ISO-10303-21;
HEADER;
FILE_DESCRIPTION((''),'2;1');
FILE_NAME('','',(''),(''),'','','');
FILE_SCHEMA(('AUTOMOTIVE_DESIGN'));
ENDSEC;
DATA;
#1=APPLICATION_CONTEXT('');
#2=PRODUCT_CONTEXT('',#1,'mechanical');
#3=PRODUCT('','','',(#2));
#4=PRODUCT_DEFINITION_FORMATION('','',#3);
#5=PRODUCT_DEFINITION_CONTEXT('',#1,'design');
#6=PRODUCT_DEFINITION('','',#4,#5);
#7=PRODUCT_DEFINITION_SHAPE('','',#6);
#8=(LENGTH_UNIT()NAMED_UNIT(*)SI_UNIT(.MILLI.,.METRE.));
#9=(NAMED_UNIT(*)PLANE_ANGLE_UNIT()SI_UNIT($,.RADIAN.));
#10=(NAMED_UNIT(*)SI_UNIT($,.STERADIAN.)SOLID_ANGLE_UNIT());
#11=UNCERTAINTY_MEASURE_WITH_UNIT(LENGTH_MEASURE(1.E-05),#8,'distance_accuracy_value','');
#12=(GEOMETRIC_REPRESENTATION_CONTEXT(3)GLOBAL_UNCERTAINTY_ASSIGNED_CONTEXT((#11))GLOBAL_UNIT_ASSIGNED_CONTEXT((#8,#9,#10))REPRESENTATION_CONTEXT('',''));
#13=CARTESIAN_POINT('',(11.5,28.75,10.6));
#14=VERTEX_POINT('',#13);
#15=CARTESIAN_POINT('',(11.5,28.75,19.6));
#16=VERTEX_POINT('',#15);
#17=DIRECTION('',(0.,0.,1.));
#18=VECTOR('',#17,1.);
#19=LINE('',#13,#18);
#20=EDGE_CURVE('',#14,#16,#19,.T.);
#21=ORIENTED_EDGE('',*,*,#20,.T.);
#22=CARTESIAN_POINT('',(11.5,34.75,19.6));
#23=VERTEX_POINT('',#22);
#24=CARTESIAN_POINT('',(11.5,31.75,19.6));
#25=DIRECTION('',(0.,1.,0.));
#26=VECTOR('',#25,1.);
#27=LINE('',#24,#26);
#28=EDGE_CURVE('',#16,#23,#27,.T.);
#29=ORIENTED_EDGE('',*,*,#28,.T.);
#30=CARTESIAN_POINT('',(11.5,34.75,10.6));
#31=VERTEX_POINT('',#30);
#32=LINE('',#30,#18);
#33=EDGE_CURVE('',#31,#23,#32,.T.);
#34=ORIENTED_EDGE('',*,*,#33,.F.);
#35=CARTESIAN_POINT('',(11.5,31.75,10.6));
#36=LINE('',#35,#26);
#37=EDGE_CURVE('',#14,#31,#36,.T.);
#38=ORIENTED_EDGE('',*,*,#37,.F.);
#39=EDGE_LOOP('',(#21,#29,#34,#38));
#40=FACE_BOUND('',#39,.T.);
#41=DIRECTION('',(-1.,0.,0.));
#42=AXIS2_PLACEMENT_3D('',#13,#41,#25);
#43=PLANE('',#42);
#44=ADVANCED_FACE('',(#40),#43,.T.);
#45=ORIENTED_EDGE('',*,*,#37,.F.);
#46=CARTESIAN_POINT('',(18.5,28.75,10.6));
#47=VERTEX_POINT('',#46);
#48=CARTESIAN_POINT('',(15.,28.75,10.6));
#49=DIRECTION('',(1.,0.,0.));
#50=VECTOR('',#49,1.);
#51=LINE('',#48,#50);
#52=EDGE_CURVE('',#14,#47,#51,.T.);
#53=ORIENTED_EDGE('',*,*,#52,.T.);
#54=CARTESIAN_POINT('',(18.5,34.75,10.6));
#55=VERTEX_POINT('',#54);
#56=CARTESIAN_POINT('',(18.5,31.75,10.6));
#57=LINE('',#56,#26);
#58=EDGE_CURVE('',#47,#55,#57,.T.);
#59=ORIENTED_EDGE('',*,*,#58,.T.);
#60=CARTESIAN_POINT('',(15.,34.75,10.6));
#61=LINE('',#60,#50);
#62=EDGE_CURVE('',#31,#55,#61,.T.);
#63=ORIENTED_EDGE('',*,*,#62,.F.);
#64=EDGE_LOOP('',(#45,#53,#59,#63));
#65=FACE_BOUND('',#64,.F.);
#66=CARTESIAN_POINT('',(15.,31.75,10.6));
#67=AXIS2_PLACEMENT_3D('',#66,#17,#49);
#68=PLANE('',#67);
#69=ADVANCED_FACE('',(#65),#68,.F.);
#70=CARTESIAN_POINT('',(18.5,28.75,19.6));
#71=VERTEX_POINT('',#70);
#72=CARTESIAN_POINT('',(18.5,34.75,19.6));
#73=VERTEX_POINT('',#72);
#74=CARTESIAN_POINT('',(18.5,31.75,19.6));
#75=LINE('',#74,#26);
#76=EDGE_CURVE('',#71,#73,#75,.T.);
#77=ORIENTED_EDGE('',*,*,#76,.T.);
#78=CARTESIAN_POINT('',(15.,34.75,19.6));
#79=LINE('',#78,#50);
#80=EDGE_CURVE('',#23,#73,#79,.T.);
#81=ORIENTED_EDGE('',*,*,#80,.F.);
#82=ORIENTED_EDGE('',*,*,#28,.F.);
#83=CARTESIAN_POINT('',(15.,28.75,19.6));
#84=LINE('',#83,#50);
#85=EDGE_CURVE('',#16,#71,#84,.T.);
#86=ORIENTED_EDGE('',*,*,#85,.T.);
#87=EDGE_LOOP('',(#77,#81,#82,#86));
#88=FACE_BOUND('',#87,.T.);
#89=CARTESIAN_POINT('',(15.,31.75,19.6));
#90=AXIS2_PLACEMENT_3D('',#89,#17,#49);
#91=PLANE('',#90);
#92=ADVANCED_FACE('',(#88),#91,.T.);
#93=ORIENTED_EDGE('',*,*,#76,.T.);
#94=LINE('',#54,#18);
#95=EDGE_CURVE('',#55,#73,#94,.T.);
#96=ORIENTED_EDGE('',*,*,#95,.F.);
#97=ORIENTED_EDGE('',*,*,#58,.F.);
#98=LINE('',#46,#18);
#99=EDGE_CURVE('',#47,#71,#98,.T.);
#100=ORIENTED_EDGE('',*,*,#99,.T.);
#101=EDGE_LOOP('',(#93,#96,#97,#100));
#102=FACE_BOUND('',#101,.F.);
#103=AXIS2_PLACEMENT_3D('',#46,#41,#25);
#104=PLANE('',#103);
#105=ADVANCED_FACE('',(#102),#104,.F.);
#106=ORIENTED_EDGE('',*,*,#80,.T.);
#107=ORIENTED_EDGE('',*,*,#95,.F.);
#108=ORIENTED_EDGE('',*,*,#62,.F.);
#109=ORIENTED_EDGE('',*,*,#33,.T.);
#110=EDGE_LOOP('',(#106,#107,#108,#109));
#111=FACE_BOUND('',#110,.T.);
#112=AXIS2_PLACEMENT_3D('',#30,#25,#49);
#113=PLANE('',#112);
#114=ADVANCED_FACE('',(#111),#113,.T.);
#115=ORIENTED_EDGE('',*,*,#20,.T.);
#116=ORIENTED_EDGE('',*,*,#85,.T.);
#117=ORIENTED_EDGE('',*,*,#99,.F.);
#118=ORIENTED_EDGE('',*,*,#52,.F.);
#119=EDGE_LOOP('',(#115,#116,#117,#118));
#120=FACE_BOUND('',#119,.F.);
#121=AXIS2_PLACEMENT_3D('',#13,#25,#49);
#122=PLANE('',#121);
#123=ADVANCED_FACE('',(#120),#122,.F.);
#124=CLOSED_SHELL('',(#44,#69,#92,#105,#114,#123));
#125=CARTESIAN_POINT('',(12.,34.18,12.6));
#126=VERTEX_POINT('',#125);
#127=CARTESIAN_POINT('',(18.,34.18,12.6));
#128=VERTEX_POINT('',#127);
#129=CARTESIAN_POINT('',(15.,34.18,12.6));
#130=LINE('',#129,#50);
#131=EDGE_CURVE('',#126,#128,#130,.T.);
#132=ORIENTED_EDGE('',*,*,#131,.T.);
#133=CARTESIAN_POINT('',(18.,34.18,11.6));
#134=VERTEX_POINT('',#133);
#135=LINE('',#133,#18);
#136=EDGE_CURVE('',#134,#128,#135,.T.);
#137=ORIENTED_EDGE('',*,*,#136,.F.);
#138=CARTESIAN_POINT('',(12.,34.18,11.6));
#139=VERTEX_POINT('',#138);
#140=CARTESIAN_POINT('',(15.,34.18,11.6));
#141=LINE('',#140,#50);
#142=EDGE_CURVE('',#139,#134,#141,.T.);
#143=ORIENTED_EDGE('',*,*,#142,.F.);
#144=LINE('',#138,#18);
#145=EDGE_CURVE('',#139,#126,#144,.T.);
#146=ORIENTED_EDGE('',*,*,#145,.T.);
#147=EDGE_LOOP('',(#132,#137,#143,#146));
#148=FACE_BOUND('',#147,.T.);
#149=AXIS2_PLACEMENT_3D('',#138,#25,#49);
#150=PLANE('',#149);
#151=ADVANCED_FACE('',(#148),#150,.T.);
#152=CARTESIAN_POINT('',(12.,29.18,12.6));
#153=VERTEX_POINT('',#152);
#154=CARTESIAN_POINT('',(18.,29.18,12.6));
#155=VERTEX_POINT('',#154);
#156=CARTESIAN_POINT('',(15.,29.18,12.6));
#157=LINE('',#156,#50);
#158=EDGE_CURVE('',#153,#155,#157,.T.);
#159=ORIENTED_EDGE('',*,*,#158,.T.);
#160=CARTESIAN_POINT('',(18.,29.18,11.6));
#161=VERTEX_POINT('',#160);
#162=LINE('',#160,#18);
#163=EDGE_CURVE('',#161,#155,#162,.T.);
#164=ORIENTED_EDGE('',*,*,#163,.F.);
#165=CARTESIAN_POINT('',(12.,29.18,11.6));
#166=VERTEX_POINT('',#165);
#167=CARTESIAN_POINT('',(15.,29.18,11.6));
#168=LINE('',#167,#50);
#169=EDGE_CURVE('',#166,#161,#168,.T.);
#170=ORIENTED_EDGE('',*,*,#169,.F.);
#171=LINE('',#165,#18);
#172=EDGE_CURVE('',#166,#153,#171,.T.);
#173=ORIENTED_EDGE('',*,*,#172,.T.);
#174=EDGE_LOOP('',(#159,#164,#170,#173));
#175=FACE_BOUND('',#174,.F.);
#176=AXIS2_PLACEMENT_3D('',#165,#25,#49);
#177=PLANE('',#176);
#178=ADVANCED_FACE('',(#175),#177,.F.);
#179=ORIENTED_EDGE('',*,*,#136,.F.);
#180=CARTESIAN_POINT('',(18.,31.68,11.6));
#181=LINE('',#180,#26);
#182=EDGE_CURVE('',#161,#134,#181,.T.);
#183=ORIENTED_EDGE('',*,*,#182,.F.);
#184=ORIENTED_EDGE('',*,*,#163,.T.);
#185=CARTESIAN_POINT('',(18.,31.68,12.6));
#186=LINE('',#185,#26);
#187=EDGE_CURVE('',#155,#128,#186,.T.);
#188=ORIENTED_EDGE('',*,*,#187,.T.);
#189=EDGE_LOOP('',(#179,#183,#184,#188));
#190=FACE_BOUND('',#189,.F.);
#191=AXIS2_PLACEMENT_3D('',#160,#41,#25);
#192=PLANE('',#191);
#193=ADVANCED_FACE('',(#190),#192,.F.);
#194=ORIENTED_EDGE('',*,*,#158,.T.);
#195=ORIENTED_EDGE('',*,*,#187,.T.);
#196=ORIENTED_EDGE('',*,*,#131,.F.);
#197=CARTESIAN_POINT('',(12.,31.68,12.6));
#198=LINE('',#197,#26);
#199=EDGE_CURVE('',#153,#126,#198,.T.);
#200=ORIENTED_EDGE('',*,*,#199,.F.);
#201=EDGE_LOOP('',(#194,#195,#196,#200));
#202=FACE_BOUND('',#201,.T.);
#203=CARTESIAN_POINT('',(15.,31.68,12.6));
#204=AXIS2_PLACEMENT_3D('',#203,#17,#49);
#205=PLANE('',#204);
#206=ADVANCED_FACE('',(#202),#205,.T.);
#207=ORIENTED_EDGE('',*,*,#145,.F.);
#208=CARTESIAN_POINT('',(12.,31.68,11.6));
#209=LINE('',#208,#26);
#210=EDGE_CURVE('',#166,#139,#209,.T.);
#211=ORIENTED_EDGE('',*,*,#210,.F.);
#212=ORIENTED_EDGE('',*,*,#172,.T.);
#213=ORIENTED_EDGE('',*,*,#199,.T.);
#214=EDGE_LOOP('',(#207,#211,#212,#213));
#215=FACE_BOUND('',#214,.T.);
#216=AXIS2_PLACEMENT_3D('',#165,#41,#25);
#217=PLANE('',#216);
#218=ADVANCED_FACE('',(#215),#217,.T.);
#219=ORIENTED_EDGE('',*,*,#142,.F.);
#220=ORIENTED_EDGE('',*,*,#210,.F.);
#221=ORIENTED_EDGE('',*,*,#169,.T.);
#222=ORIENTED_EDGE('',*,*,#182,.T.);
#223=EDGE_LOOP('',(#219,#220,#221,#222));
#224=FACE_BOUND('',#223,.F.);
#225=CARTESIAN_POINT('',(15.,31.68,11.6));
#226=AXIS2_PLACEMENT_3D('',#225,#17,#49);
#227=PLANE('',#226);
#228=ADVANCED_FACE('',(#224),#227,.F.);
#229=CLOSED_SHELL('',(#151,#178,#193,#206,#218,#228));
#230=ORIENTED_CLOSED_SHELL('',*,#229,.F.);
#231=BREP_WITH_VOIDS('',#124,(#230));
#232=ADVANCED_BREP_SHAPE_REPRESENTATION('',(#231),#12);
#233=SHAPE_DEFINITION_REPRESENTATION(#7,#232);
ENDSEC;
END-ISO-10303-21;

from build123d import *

# Parameters (mm, degrees)
BOX060_W     = 6
BOX060_H     = 5
BOX060_DEPTH = 1
BOX070_W     = 7
BOX070_H     = 6
BOX070_DEPTH = 9


with BuildPart() as box060:
    # Box060 → Box060 (new body)
    with BuildSketch(Plane(origin=(12, 29.18, 11.6), x_dir=(1, 0, 0), z_dir=(0, 0, 1))):
        with Locations((3, 2.5)):
            Rectangle(BOX060_W, BOX060_H)
    extrude(amount=BOX060_DEPTH)


with BuildPart() as cut008:
    # Box070 → Box070 (new body)
    with BuildSketch(Plane(origin=(11.5, 28.75, 10.6), x_dir=(1, 0, 0), z_dir=(0, 0, 1))):
        with Locations((3.5, 3)):
            Rectangle(BOX070_W, BOX070_H)
    extrude(amount=BOX070_DEPTH)

    # Cut008: cut Box060
    add(box060.part, mode=Mode.SUBTRACT)


solid = cut008.part
